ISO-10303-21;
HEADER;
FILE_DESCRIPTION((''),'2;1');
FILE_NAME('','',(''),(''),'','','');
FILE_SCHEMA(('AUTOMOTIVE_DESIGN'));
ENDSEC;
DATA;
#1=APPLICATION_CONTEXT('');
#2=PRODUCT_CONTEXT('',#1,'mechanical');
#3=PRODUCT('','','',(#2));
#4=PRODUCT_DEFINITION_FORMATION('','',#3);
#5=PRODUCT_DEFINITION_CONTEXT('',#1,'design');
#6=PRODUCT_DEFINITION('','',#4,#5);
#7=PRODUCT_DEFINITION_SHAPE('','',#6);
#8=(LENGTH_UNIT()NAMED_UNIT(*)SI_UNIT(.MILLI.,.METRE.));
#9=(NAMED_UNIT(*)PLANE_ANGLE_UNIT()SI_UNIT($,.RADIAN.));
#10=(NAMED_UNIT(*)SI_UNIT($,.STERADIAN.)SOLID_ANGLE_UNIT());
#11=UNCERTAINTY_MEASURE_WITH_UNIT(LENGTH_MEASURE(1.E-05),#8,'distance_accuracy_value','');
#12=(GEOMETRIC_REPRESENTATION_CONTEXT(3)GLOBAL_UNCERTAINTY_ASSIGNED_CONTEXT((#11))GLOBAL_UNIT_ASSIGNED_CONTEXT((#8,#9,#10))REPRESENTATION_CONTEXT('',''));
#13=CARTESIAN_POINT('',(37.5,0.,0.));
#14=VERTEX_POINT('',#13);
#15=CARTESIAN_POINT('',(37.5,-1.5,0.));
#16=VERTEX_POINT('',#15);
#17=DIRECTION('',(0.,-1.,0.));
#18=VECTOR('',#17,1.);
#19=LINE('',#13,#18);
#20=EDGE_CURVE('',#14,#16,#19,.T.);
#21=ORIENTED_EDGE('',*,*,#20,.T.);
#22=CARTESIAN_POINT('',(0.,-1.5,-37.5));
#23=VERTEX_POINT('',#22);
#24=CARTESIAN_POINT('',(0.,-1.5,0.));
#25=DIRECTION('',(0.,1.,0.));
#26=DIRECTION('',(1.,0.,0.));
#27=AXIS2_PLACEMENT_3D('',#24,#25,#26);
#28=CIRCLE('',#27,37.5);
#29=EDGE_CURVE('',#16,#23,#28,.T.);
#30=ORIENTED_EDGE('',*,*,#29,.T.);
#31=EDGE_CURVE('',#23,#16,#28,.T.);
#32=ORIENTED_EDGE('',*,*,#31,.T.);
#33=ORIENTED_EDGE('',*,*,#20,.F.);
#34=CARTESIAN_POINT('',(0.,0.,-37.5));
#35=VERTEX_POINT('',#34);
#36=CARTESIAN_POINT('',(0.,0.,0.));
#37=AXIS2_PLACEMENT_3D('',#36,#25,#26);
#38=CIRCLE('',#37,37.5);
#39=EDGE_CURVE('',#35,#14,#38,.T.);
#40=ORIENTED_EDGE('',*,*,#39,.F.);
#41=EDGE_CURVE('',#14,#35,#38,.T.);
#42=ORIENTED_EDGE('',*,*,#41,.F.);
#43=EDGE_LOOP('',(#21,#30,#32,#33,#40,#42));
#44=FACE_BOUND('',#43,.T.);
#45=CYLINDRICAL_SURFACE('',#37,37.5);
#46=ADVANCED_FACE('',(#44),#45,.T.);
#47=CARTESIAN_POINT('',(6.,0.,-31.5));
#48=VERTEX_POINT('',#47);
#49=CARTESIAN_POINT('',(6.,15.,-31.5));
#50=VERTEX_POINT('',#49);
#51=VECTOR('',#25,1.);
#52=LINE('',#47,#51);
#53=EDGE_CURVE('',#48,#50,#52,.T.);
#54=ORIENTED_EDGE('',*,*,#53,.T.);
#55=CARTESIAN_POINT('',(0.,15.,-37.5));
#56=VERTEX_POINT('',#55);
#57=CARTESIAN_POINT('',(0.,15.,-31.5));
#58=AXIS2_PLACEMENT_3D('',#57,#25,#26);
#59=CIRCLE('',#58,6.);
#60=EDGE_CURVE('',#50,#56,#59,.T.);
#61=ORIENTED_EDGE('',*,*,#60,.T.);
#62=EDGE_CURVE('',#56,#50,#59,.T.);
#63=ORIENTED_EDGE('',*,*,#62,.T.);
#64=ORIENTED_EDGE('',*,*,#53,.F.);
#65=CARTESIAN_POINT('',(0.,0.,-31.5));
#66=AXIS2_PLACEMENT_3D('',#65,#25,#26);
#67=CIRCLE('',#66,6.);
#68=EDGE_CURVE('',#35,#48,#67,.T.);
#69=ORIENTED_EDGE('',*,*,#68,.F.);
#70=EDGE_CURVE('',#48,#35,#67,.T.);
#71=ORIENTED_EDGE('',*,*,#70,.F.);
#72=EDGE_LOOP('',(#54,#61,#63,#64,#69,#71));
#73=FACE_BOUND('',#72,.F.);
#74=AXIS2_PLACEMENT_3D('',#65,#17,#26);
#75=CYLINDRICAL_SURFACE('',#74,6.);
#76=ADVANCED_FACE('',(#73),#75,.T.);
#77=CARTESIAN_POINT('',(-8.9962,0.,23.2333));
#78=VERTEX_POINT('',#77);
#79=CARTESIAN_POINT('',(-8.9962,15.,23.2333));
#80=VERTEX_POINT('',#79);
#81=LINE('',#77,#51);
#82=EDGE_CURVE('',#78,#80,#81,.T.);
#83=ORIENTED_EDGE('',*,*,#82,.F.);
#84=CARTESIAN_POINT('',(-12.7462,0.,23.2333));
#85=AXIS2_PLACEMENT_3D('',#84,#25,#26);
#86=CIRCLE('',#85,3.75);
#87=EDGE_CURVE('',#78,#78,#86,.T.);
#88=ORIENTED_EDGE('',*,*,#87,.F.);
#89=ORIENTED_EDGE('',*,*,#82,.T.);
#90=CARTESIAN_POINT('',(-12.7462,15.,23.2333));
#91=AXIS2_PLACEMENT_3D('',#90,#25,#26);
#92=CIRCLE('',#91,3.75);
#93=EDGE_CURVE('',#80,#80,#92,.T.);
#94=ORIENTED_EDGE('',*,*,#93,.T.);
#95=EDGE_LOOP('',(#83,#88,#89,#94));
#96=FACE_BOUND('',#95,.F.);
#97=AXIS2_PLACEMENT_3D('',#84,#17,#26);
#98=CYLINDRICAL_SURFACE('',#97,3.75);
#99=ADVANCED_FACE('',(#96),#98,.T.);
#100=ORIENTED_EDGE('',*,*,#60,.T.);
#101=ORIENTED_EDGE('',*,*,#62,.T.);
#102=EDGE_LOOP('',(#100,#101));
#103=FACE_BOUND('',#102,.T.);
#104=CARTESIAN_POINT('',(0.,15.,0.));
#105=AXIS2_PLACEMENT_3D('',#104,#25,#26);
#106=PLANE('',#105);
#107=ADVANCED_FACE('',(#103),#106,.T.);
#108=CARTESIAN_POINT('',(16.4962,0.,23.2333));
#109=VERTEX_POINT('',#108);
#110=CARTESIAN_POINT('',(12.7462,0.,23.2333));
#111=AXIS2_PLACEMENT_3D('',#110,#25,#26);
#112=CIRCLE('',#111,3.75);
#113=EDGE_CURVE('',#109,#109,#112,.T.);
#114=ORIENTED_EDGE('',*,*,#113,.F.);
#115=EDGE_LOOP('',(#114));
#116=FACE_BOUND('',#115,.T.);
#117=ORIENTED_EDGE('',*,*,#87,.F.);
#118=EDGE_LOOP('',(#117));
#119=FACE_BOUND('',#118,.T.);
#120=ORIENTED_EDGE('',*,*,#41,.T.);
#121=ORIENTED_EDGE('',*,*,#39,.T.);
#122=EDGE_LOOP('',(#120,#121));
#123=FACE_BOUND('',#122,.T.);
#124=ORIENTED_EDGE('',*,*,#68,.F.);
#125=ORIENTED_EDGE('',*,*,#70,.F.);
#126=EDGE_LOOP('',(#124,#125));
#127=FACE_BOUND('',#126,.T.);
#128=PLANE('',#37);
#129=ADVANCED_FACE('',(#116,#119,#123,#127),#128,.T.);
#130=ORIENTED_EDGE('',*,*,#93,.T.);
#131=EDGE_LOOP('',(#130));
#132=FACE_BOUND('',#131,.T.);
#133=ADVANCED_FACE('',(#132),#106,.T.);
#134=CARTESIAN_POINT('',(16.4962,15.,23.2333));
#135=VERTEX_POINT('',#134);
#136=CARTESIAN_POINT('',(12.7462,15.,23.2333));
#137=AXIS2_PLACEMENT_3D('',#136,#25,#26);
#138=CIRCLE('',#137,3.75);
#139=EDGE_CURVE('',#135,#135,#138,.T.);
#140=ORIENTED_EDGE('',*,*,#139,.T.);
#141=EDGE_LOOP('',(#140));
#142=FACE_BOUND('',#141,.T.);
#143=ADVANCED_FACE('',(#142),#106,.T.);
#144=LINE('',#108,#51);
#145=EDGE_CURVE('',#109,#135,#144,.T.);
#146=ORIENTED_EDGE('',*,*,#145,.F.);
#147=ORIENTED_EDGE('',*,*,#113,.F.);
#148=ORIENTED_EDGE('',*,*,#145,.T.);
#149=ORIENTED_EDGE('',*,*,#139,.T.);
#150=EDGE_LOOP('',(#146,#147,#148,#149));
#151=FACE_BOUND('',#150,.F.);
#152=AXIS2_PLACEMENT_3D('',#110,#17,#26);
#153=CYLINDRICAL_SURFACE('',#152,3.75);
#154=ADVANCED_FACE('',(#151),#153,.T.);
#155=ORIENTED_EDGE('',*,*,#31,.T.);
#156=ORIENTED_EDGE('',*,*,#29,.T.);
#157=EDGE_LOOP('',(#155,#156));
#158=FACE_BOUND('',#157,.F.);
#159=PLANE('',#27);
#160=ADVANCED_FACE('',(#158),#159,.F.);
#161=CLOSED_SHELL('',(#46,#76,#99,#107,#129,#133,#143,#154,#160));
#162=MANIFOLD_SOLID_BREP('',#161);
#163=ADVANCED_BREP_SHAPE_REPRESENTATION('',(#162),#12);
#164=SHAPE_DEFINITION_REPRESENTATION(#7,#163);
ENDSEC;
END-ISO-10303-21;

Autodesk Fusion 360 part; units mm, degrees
sketch "Sketch1" plane through (0, 0, 0) normal (0, 1, 0) x (1, 0, 0)
  circle A0 centre (0, 0) radius 37.5
  line L0 (0, 37.5) -> (0, -37.5) construction
  line L1 (0, 0) -> (37.5, 0) construction
  circle A1 centre (0, 0) radius 26.5 construction
  line L2 (0, 0) -> (37.5, 0) construction
  line L3 (0, 0) -> (6.5118, -36.9303) construction
  line L4 (0, 0) -> (37.5, 0) construction
  line L5 (0, 0) -> (37.3573, -3.2683) construction
  line L6 (0, 0) -> (37.5, 0) construction
  line L7 (0, 0) -> (24.2558, -10.6728) construction
  line L8 (0, 0) -> (26.5, 0) construction
  line L9 (0, 0) -> (19.5378, -17.9031) construction
  line L10 (0, 0) -> (26.5, 0) construction
  line L11 (0, 0) -> (12.7462, -23.2333) construction
  line L12 (0, 0) -> (26.5, 0) construction
  circle A2 centre (26.3992, -2.3096) radius 2.5
  circle A3 centre (24.2558, -10.6728) radius 2.5
  circle A4 centre (19.5378, -17.9031) radius 2.5
  circle A5 centre (12.7462, -23.2333) radius 2.5
  circle A6 centre (4.6017, -26.0974) radius 2.5
  circle A7 centre (-4.6017, -26.0974) radius 2.5
  circle A8 centre (-12.7462, -23.2333) radius 2.5
  circle A9 centre (-19.5378, -17.9031) radius 2.5
  circle A10 centre (-24.2558, -10.6728) radius 2.5
  circle A11 centre (-26.3992, -2.3096) radius 2.5
  line L13 (0, 37.5) -> (0, 31.5)
  circle A12 centre (0, 31.5) radius 2.5
  circle A13 centre (-24.2558, -10.6728) radius 3.75
  circle A14 centre (24.2558, -10.6728) radius 3.75
  circle A15 centre (0, 31.5) radius 3.75
  circle A16 centre (-4.6017, -26.0974) radius 3.75
  circle A17 centre (4.6017, -26.0974) radius 3.75
  circle A18 centre (-12.7462, -23.2333) radius 3.75
  circle A19 centre (12.7462, -23.2333) radius 3.75
  circle A20 centre (-19.5378, -17.9031) radius 3.75
  circle A21 centre (-26.3992, -2.3096) radius 3.75
  circle A22 centre (26.3992, -2.3096) radius 3.75
  circle A23 centre (19.5378, -17.9031) radius 3.75
  circle A24 centre (0, 31.5) radius 6
  dimension "d1" = 75
  dimension "d5" = 80
  dimension "d6" = 5
  dimension "d9" = 23.75
  dimension "d10" = 42.5
  dimension "d11" = 61.25
  dimension "d12" = 5
  dimension "d13" = 5
  dimension "d14" = 5
  dimension "d15" = 5
  dimension "d16" = 5
  dimension "d29" = 6
  dimension "d39" = 7.5
  dimension "d40" = 7.5
  dimension "d41" = 7.5
  dimension "d44" = 7.5
  dimension "d45" = 7.5
  dimension "d46" = 7.5
  dimension "d47" = 7.5
  dimension "d52" = 7.5
  dimension "d53" = 7.5
  dimension "d58" = 7.5
  dimension "d63" = 7.5
  dimension "d66" = 12
extrude "Extrude1" add sketch "Sketch1" against normal blind 2.5 contours A24 | A0 | A2 | A3 | A4 | A5 | A6 | A7 | A8 | A9 | A10 | A11 | A12 | A13 | A14 | A15 | A16 | A17 | A18 | A19 | A20 | A21 | A22 | A23 makes body 1
extrude "Extrude11" add sketch "Sketch1" along normal blind 15 separate body contours A12 | A15 makes body 2
extrude "Extrude16" add sketch "Sketch1" along normal blind 15 contours A24 bodies 1 2
extrude "Extrude17" cut 1 faces at (9.3028, -2.5, -10.3652) along direction (0, 1, 0) blind 1 on bodies 1 bodies 1
extrude "Extrude21" add sketch "Sketch1" along normal blind 15 contours A5 | A8 | A18 | A19 bodies 1
sketch "Sketch4" plane through (0, 0, 0) normal (0, 0, 1) x (1, 0, 0)
